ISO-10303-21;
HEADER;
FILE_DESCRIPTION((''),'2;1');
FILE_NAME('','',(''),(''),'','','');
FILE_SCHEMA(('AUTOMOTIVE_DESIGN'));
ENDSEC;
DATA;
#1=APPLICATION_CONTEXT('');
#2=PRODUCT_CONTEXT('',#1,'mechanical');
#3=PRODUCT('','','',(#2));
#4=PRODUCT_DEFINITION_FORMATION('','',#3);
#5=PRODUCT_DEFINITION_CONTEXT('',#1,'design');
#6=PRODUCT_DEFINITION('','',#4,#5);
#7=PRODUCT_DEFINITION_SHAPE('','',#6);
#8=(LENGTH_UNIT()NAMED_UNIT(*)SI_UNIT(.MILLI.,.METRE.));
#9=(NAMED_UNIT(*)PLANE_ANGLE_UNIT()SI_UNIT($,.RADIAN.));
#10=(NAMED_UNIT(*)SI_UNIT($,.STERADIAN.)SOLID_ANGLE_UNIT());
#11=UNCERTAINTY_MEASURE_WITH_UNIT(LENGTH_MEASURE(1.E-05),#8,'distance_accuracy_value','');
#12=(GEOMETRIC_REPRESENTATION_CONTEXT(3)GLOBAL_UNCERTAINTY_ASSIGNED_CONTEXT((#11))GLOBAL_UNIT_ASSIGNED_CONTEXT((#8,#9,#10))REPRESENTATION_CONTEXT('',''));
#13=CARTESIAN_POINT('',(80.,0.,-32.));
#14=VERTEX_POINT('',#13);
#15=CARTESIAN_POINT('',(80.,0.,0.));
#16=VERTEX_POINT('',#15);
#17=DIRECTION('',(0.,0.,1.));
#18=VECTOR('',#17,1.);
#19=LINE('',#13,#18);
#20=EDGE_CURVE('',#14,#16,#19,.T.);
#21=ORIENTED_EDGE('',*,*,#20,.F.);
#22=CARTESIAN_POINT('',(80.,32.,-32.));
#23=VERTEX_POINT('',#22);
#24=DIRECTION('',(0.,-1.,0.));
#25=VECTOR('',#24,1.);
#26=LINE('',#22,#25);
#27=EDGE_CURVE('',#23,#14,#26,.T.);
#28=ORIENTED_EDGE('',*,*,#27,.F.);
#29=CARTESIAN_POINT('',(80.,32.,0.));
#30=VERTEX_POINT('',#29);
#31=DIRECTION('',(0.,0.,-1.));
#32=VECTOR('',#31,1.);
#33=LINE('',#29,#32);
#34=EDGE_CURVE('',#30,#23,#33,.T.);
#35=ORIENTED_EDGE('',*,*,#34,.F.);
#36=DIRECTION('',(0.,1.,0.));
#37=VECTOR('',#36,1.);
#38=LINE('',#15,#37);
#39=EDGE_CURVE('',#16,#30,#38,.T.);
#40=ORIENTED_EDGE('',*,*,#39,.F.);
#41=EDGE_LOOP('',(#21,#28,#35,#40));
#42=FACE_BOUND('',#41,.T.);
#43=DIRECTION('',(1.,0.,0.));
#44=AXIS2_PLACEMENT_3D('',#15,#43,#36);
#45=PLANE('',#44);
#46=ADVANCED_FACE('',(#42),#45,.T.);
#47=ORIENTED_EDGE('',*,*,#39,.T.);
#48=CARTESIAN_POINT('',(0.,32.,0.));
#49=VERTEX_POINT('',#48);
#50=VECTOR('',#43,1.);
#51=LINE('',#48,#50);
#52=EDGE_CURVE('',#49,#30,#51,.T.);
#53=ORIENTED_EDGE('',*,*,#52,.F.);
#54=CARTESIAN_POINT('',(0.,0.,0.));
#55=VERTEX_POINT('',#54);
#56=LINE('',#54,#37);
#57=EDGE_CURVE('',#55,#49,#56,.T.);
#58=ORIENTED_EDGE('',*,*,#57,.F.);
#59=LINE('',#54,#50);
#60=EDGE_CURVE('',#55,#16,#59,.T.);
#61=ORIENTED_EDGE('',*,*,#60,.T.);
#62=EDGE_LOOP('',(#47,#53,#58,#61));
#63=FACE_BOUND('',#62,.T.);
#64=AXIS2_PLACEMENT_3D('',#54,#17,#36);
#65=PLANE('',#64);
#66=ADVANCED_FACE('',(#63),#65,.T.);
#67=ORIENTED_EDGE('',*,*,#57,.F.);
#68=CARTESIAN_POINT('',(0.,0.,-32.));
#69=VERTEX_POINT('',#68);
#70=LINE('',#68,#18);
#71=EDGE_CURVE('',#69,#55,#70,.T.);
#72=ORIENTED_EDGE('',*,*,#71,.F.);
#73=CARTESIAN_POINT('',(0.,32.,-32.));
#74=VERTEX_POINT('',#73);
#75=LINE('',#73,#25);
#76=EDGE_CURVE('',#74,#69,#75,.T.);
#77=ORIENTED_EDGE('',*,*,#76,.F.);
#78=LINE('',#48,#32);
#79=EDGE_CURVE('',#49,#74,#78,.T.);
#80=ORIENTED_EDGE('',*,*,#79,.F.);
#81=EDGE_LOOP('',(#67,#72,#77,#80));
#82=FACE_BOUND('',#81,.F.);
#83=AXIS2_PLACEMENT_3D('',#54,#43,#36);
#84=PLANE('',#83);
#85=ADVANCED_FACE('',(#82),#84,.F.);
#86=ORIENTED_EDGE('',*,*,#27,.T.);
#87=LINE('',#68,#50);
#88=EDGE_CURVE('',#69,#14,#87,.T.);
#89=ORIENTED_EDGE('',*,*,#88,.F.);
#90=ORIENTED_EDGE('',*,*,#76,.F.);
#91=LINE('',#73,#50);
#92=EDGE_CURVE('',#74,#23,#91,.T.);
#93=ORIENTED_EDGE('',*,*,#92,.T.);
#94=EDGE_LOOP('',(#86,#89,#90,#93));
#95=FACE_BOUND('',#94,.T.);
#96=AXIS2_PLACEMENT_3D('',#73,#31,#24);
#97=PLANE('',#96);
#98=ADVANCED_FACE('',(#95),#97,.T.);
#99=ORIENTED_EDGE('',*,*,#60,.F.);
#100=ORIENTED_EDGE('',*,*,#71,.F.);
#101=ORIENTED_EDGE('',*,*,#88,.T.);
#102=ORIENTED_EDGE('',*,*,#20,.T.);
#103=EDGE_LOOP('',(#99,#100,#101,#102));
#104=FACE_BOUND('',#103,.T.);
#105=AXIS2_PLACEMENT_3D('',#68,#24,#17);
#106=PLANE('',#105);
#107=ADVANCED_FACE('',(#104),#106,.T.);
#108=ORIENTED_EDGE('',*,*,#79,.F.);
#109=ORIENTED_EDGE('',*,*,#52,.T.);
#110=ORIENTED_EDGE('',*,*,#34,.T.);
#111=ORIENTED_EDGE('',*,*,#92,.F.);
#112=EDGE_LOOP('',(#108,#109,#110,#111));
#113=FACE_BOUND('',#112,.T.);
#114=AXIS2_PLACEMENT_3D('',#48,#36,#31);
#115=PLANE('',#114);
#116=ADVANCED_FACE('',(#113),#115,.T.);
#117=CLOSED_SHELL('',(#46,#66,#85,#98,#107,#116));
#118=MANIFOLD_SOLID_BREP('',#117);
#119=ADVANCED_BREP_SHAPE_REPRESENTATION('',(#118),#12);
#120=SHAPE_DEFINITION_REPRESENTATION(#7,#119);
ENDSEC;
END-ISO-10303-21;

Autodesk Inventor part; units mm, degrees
ref_plane "YZ Plane" through (0, 0, 0) normal (1, 0, 0) x (0, 1, 0)
ref_plane "XZ Plane" through (0, 0, 0) normal (0, 1, 0) x (-1, 0, 0)
ref_plane "XY Plane" through (0, 0, 0) normal (0, 0, 1) x (1, 0, 0)
sketch "Esquisse1" plane through (0, 0, 0) normal (1, 0, 0) x (0, 1, 0)
  line L0 (0, 0) -> (32, 0)
  line L1 (32, 0) -> (32, -32)
  line L2 (32, -32) -> (0, -32)
  line L3 (0, -32) -> (0, 0)
  dimension "d0" = 32
  dimension "d1" = 32
extrude "Extrusion1" add sketch "Esquisse1" along normal blind 80
properties part number "Batterie 2"
